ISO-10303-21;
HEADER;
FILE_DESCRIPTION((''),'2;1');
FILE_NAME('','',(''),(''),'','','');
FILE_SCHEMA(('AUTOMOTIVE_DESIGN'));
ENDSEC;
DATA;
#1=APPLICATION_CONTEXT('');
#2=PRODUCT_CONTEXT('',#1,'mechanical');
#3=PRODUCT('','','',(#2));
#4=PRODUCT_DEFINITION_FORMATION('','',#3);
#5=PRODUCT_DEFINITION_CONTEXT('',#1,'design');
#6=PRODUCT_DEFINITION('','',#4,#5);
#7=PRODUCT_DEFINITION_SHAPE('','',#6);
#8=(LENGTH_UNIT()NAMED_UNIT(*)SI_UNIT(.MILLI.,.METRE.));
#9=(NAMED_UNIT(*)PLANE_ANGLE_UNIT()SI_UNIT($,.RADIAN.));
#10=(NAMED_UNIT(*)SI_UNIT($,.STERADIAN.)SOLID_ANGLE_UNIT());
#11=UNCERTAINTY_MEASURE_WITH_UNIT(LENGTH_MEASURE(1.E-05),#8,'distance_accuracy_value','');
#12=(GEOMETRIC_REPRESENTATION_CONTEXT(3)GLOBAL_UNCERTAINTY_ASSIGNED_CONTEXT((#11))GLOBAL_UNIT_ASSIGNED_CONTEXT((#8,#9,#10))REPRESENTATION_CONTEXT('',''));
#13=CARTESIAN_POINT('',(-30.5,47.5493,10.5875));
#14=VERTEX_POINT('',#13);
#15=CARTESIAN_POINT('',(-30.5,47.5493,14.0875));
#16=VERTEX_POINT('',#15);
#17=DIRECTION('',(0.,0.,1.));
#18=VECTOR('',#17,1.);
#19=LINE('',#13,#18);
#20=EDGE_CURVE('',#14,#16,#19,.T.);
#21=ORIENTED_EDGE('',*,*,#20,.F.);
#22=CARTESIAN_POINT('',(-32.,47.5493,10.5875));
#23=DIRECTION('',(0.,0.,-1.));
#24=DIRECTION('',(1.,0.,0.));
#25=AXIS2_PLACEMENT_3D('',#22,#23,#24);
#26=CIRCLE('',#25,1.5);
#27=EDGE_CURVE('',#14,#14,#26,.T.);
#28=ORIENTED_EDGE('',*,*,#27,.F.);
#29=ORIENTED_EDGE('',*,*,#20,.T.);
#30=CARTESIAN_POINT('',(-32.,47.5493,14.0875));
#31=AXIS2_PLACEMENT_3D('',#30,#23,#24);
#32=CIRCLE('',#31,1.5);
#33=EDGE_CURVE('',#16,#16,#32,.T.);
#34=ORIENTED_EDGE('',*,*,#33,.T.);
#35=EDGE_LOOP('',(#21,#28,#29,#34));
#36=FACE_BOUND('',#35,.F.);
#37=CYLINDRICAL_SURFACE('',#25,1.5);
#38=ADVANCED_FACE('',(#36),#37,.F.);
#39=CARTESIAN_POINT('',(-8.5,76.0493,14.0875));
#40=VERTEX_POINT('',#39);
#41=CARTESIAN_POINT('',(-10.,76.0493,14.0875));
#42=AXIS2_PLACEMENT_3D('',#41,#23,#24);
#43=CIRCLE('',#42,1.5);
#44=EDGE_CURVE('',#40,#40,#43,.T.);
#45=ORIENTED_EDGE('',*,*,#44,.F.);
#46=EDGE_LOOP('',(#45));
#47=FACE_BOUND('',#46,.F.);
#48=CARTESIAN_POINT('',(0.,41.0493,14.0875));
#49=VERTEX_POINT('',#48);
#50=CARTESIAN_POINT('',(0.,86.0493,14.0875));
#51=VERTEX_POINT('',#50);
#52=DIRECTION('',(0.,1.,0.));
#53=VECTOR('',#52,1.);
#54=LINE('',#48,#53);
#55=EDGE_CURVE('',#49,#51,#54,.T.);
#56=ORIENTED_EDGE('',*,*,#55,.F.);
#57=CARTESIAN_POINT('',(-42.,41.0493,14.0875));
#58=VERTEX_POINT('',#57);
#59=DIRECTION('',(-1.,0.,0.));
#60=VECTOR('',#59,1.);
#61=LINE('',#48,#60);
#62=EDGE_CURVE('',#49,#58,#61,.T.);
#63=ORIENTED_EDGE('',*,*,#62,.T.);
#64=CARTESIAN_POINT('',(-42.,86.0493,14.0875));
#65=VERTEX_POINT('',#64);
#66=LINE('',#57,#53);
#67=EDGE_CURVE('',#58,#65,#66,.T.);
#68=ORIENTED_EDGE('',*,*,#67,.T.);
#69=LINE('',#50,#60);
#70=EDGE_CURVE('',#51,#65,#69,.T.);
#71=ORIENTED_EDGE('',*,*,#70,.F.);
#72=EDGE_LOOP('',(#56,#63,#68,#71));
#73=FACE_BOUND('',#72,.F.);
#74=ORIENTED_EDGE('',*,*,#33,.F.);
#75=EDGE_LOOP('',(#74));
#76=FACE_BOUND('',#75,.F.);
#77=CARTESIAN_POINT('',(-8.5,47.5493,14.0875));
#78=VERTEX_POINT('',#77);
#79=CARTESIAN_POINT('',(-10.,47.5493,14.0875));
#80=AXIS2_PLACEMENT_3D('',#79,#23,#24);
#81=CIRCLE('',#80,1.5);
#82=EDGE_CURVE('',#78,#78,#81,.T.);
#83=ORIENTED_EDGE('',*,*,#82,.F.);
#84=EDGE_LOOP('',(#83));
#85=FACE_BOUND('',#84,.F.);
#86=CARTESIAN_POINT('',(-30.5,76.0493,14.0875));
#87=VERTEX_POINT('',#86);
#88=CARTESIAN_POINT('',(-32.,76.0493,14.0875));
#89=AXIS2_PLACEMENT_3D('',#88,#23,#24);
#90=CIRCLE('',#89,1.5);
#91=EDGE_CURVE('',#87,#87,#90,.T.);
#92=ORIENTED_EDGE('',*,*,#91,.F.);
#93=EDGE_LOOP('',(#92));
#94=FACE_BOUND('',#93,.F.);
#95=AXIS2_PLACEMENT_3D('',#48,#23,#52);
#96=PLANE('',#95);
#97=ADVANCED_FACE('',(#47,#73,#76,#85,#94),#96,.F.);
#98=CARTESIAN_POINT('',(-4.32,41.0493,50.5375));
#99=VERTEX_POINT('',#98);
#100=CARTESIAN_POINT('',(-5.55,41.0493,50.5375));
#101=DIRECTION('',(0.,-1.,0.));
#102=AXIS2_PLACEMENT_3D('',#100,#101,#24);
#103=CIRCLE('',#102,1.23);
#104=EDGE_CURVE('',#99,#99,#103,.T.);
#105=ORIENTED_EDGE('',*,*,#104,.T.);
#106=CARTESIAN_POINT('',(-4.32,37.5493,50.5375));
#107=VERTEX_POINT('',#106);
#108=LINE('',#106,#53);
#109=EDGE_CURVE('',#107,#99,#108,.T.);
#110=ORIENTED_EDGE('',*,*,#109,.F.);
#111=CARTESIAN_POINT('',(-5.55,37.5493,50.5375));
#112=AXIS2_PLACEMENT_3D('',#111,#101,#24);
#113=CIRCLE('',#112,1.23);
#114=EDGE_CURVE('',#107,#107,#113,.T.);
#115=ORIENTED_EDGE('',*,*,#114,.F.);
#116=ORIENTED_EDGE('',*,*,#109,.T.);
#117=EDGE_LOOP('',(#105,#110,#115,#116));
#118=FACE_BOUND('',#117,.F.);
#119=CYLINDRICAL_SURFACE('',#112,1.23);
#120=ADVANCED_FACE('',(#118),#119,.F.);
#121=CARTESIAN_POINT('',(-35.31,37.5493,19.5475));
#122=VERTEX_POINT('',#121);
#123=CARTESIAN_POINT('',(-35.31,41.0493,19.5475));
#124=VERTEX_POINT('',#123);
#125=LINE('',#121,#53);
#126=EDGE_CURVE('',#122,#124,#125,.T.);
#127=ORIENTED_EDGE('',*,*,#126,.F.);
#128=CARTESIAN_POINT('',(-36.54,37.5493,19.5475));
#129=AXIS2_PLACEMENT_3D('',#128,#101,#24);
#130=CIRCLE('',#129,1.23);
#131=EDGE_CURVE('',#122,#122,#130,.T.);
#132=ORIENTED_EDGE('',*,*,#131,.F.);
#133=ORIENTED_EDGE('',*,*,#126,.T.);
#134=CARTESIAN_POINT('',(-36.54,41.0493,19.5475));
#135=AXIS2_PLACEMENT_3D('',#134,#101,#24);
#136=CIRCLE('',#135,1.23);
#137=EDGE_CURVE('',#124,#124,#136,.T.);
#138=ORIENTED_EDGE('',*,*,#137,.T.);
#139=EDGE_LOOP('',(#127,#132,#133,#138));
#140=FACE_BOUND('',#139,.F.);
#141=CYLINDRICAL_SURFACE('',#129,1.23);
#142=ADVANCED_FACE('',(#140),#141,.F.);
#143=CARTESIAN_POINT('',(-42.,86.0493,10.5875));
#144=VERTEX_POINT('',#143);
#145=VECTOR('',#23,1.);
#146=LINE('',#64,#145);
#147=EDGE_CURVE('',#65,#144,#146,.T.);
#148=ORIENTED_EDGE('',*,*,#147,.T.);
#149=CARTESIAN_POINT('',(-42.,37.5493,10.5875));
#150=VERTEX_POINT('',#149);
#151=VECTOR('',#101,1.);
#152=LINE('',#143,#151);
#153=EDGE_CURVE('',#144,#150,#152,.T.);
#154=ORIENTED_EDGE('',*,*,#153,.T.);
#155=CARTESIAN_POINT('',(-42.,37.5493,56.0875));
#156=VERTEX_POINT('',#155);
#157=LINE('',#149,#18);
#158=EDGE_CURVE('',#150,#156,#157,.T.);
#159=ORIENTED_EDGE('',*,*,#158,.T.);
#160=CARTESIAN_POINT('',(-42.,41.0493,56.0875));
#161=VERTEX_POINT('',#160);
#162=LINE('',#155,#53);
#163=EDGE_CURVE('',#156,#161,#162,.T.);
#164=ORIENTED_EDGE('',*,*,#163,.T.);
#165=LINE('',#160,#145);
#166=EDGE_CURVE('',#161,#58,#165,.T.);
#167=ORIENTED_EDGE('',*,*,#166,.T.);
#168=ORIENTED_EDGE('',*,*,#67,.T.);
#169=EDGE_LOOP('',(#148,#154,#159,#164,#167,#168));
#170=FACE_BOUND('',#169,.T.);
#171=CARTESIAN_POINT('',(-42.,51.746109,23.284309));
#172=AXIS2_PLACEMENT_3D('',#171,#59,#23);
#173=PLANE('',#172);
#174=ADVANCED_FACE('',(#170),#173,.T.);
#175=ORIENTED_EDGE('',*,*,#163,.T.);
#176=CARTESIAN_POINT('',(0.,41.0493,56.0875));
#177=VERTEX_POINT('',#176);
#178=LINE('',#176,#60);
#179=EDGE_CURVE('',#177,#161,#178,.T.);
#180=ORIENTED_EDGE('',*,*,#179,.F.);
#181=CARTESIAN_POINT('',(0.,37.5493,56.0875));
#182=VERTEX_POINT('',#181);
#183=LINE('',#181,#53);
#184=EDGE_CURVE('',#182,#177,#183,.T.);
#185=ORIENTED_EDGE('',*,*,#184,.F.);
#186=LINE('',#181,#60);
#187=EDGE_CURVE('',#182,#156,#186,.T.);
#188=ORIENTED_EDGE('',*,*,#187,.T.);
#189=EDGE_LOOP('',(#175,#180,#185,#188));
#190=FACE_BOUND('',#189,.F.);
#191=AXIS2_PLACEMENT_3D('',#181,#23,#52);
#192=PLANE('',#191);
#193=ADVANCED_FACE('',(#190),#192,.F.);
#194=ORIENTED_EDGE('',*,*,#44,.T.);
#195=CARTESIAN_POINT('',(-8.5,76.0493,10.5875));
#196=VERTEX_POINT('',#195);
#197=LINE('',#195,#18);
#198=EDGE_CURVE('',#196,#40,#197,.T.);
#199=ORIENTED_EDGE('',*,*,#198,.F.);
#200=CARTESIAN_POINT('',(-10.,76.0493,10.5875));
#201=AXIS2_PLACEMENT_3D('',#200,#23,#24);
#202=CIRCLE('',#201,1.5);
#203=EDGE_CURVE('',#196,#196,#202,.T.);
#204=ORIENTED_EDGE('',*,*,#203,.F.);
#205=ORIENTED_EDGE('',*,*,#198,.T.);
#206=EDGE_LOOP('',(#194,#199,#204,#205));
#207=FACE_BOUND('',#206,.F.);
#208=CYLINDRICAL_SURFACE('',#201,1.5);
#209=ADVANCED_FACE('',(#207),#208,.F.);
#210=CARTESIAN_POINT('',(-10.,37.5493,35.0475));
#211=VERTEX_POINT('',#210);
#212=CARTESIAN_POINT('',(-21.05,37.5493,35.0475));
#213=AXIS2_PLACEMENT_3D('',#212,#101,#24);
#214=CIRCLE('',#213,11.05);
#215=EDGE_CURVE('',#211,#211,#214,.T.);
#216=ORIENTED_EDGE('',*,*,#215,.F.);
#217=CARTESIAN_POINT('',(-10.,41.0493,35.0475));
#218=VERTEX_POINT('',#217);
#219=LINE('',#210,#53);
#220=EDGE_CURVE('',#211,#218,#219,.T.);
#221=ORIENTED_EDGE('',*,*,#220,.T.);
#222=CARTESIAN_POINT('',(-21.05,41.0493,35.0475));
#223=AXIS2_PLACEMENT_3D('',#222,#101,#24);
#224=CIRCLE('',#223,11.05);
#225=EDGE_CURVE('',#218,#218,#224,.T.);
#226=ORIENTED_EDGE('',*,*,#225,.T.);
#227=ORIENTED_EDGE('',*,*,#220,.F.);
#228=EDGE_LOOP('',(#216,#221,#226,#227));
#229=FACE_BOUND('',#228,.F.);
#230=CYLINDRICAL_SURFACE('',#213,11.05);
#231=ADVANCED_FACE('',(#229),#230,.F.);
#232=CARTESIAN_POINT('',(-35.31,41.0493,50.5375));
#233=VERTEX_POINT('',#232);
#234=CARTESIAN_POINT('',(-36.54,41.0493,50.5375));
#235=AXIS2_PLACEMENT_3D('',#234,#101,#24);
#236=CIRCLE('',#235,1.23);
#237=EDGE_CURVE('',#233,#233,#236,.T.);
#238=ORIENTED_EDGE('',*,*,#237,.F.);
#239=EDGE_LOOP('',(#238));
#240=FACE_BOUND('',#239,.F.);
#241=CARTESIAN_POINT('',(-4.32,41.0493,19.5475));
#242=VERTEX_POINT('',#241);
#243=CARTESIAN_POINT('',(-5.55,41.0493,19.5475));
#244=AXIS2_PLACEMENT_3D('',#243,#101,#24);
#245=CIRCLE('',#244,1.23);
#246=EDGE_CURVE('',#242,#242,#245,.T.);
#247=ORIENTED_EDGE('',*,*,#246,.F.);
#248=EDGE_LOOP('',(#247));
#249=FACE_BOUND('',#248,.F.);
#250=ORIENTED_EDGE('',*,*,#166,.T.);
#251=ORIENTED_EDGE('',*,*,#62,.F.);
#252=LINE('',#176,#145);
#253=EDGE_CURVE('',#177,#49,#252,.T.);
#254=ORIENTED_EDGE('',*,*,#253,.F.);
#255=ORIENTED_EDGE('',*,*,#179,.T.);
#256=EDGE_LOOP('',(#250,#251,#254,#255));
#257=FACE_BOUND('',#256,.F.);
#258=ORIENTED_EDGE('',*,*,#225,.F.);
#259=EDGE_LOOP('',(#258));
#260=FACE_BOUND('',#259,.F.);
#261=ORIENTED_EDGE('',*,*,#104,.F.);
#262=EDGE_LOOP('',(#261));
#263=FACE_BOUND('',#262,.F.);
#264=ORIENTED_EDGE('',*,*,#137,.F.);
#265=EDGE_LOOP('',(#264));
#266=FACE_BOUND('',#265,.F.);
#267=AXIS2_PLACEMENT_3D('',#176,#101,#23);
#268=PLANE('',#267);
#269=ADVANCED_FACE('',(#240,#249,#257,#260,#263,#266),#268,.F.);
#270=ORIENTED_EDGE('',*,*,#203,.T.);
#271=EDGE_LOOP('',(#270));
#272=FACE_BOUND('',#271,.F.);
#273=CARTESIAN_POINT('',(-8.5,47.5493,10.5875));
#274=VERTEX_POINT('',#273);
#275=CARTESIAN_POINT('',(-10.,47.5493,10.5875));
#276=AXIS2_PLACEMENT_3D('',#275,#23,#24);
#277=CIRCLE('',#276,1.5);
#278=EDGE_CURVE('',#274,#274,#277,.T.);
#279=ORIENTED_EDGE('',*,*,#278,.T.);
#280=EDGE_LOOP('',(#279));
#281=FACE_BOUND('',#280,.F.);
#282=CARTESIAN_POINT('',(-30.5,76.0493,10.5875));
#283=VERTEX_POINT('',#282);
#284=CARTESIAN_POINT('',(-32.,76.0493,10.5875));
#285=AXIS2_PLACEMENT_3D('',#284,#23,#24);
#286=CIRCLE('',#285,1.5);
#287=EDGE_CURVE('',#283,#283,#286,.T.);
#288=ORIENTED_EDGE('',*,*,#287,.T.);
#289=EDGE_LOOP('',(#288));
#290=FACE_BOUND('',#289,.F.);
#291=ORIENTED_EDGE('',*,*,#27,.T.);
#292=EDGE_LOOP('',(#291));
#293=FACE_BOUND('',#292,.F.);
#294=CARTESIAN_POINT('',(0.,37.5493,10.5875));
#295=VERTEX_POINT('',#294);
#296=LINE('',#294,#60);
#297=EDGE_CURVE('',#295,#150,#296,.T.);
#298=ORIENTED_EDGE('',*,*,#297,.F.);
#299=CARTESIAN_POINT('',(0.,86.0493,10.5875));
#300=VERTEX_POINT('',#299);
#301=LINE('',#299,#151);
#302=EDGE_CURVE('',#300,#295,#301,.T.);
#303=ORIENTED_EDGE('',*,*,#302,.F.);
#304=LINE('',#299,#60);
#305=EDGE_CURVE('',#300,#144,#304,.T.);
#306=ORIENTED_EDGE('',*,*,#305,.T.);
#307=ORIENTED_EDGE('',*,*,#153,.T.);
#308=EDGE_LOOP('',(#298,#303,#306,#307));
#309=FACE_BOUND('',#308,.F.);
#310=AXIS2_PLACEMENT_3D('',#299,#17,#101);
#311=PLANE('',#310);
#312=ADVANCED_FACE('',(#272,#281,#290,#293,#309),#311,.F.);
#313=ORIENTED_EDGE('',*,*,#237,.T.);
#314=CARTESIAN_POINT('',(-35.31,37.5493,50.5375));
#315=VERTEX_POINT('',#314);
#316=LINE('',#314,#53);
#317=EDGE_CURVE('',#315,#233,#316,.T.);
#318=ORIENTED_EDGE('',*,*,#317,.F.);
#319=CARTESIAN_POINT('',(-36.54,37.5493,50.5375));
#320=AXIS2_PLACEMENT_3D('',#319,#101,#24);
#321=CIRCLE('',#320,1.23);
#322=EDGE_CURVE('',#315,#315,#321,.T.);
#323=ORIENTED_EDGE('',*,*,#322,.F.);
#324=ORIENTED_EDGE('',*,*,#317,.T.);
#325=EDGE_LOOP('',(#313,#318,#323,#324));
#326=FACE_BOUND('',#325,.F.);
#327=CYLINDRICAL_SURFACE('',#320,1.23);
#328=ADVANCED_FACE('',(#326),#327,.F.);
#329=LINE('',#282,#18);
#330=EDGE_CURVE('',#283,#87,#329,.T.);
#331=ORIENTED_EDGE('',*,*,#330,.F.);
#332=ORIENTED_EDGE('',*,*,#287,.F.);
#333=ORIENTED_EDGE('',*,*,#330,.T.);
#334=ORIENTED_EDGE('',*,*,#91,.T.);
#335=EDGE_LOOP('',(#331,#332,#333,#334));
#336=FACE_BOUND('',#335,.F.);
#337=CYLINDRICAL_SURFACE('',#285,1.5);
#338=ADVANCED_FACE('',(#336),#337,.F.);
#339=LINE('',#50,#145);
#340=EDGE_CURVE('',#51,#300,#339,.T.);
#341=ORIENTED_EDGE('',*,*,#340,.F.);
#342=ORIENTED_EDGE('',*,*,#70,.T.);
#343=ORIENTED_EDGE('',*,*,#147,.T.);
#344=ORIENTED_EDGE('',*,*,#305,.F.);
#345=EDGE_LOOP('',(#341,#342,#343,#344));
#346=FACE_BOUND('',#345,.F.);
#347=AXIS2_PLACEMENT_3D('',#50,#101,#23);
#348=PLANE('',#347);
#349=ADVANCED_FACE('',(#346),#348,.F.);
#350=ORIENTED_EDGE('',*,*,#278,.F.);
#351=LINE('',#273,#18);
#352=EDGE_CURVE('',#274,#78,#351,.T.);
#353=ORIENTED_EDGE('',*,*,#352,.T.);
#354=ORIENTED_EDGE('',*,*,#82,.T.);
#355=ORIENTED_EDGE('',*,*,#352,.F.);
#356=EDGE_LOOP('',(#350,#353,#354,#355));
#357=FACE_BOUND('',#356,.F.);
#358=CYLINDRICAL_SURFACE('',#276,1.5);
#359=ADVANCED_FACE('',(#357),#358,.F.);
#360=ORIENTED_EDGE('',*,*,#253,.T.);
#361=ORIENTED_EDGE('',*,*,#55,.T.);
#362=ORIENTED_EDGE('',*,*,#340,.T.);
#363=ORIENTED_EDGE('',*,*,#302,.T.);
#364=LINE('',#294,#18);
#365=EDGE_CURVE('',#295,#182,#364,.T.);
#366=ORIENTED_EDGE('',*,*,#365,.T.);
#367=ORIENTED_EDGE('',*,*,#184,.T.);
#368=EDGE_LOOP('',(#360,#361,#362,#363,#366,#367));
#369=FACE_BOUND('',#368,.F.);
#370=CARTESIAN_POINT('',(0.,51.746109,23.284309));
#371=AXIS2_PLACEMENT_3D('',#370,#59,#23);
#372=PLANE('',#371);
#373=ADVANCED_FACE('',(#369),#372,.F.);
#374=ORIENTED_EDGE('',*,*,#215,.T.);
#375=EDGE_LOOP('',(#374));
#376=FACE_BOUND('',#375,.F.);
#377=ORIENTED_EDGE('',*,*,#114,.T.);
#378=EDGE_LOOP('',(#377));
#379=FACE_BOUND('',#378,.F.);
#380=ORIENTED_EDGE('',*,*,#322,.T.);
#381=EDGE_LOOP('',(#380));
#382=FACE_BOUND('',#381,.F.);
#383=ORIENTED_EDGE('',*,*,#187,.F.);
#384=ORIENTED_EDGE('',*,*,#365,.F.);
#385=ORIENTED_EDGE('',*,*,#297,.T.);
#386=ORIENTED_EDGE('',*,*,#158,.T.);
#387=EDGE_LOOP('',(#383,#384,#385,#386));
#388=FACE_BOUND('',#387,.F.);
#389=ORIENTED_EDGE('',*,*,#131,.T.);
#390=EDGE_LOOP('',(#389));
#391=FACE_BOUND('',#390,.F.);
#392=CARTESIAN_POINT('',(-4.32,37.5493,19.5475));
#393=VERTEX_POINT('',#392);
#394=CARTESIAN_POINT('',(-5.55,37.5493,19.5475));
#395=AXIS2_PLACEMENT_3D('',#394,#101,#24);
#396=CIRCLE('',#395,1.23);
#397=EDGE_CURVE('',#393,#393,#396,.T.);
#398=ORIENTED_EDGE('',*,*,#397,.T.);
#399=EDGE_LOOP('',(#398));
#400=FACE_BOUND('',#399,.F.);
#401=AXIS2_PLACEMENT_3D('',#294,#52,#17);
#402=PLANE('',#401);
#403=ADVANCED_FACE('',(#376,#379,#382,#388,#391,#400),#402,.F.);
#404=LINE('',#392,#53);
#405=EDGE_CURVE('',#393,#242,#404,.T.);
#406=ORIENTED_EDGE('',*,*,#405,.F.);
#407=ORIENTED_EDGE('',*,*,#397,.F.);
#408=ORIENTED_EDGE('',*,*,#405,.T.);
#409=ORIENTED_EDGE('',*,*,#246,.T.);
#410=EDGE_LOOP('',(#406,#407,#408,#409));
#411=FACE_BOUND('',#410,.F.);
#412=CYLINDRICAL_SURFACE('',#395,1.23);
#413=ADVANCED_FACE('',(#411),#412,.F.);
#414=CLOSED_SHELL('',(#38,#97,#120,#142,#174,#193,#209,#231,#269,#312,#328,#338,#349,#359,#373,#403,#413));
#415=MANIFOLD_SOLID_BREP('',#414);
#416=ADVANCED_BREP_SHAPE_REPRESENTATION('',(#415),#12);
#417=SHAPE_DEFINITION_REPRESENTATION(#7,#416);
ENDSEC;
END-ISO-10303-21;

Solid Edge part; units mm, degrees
sketch "Sketch1" plane through (0, 0, 0) normal (1, 0, 0) x (0, 1, 0)
  line L0 (37.5493, 56.0875) -> (41.0493, 56.0875)
  line L1 (41.0493, 56.0875) -> (41.0493, 14.0875)
  line L2 (41.0493, 14.0875) -> (86.0493, 14.0875)
  line L3 (86.0493, 14.0875) -> (86.0493, 10.5875)
  line L4 (86.0493, 10.5875) -> (37.5493, 10.5875)
  line L5 (37.5493, 10.5875) -> (37.5493, 56.0875)
  dimension "D1" = 3.5
  dimension "D2" = 42
  dimension "D3" = 45.5
  dimension "D4" = 3.5
  dimension "D5" = 45
extrude "Protrusion1" add sketch "Sketch1" against normal blind 42
sketch "Sketch2" plane through (-21, 37.5493, 33.3375) normal (0, -1, 0) x (1, 0, 0)
  circle A0 centre (-15.54, -13.79) radius 1.23
  circle A1 centre (15.45, -13.79) radius 1.23
  circle A2 centre (-15.54, 17.2) radius 1.23
  circle A3 centre (15.45, 17.2) radius 1.23
  dimension "D1" = 2.46
  dimension "D2" = 5.46
  dimension "D3" = 5.46
  dimension "D4" = 5.46
  dimension "D5" = 30.99
  dimension "D6" = 5.46
  dimension "D7" = 30.99
  dimension "D8" = 2.46
  dimension "D9" = 30.99
  dimension "D10" = 30.99
extrude "Cutout1" cut sketch "Sketch2" against normal through all
sketch "Sketch3" plane through (-21, 37.5493, 33.3375) normal (0, -1, 0) x (1, 0, 0)
  circle A0 centre (-0.05, 1.71) radius 11.05
  dimension "D1" = 15.49
  dimension "D2" = 15.49
  dimension "D3" = 15.5
  dimension "D4" = 15.49
  dimension "D5" = 15.5
extrude "Cutout2" cut sketch "Sketch3" against normal through all
sketch "Sketch4" plane through (-21, 61.7993, 10.5875) normal (0, 0, -1) x (1, 0, 0)
  circle A0 centre (-11, -14.25) radius 1.5
  circle A1 centre (11, -14.25) radius 1.5
  circle A2 centre (-11, 14.25) radius 1.5
  circle A3 centre (11, 14.25) radius 1.5
  dimension "D1" = 3
  dimension "D2" = 10
  dimension "D3" = 10
  dimension "D4" = 10
  dimension "D5" = 10
extrude "Cutout3" cut sketch "Sketch4" against normal up to next
